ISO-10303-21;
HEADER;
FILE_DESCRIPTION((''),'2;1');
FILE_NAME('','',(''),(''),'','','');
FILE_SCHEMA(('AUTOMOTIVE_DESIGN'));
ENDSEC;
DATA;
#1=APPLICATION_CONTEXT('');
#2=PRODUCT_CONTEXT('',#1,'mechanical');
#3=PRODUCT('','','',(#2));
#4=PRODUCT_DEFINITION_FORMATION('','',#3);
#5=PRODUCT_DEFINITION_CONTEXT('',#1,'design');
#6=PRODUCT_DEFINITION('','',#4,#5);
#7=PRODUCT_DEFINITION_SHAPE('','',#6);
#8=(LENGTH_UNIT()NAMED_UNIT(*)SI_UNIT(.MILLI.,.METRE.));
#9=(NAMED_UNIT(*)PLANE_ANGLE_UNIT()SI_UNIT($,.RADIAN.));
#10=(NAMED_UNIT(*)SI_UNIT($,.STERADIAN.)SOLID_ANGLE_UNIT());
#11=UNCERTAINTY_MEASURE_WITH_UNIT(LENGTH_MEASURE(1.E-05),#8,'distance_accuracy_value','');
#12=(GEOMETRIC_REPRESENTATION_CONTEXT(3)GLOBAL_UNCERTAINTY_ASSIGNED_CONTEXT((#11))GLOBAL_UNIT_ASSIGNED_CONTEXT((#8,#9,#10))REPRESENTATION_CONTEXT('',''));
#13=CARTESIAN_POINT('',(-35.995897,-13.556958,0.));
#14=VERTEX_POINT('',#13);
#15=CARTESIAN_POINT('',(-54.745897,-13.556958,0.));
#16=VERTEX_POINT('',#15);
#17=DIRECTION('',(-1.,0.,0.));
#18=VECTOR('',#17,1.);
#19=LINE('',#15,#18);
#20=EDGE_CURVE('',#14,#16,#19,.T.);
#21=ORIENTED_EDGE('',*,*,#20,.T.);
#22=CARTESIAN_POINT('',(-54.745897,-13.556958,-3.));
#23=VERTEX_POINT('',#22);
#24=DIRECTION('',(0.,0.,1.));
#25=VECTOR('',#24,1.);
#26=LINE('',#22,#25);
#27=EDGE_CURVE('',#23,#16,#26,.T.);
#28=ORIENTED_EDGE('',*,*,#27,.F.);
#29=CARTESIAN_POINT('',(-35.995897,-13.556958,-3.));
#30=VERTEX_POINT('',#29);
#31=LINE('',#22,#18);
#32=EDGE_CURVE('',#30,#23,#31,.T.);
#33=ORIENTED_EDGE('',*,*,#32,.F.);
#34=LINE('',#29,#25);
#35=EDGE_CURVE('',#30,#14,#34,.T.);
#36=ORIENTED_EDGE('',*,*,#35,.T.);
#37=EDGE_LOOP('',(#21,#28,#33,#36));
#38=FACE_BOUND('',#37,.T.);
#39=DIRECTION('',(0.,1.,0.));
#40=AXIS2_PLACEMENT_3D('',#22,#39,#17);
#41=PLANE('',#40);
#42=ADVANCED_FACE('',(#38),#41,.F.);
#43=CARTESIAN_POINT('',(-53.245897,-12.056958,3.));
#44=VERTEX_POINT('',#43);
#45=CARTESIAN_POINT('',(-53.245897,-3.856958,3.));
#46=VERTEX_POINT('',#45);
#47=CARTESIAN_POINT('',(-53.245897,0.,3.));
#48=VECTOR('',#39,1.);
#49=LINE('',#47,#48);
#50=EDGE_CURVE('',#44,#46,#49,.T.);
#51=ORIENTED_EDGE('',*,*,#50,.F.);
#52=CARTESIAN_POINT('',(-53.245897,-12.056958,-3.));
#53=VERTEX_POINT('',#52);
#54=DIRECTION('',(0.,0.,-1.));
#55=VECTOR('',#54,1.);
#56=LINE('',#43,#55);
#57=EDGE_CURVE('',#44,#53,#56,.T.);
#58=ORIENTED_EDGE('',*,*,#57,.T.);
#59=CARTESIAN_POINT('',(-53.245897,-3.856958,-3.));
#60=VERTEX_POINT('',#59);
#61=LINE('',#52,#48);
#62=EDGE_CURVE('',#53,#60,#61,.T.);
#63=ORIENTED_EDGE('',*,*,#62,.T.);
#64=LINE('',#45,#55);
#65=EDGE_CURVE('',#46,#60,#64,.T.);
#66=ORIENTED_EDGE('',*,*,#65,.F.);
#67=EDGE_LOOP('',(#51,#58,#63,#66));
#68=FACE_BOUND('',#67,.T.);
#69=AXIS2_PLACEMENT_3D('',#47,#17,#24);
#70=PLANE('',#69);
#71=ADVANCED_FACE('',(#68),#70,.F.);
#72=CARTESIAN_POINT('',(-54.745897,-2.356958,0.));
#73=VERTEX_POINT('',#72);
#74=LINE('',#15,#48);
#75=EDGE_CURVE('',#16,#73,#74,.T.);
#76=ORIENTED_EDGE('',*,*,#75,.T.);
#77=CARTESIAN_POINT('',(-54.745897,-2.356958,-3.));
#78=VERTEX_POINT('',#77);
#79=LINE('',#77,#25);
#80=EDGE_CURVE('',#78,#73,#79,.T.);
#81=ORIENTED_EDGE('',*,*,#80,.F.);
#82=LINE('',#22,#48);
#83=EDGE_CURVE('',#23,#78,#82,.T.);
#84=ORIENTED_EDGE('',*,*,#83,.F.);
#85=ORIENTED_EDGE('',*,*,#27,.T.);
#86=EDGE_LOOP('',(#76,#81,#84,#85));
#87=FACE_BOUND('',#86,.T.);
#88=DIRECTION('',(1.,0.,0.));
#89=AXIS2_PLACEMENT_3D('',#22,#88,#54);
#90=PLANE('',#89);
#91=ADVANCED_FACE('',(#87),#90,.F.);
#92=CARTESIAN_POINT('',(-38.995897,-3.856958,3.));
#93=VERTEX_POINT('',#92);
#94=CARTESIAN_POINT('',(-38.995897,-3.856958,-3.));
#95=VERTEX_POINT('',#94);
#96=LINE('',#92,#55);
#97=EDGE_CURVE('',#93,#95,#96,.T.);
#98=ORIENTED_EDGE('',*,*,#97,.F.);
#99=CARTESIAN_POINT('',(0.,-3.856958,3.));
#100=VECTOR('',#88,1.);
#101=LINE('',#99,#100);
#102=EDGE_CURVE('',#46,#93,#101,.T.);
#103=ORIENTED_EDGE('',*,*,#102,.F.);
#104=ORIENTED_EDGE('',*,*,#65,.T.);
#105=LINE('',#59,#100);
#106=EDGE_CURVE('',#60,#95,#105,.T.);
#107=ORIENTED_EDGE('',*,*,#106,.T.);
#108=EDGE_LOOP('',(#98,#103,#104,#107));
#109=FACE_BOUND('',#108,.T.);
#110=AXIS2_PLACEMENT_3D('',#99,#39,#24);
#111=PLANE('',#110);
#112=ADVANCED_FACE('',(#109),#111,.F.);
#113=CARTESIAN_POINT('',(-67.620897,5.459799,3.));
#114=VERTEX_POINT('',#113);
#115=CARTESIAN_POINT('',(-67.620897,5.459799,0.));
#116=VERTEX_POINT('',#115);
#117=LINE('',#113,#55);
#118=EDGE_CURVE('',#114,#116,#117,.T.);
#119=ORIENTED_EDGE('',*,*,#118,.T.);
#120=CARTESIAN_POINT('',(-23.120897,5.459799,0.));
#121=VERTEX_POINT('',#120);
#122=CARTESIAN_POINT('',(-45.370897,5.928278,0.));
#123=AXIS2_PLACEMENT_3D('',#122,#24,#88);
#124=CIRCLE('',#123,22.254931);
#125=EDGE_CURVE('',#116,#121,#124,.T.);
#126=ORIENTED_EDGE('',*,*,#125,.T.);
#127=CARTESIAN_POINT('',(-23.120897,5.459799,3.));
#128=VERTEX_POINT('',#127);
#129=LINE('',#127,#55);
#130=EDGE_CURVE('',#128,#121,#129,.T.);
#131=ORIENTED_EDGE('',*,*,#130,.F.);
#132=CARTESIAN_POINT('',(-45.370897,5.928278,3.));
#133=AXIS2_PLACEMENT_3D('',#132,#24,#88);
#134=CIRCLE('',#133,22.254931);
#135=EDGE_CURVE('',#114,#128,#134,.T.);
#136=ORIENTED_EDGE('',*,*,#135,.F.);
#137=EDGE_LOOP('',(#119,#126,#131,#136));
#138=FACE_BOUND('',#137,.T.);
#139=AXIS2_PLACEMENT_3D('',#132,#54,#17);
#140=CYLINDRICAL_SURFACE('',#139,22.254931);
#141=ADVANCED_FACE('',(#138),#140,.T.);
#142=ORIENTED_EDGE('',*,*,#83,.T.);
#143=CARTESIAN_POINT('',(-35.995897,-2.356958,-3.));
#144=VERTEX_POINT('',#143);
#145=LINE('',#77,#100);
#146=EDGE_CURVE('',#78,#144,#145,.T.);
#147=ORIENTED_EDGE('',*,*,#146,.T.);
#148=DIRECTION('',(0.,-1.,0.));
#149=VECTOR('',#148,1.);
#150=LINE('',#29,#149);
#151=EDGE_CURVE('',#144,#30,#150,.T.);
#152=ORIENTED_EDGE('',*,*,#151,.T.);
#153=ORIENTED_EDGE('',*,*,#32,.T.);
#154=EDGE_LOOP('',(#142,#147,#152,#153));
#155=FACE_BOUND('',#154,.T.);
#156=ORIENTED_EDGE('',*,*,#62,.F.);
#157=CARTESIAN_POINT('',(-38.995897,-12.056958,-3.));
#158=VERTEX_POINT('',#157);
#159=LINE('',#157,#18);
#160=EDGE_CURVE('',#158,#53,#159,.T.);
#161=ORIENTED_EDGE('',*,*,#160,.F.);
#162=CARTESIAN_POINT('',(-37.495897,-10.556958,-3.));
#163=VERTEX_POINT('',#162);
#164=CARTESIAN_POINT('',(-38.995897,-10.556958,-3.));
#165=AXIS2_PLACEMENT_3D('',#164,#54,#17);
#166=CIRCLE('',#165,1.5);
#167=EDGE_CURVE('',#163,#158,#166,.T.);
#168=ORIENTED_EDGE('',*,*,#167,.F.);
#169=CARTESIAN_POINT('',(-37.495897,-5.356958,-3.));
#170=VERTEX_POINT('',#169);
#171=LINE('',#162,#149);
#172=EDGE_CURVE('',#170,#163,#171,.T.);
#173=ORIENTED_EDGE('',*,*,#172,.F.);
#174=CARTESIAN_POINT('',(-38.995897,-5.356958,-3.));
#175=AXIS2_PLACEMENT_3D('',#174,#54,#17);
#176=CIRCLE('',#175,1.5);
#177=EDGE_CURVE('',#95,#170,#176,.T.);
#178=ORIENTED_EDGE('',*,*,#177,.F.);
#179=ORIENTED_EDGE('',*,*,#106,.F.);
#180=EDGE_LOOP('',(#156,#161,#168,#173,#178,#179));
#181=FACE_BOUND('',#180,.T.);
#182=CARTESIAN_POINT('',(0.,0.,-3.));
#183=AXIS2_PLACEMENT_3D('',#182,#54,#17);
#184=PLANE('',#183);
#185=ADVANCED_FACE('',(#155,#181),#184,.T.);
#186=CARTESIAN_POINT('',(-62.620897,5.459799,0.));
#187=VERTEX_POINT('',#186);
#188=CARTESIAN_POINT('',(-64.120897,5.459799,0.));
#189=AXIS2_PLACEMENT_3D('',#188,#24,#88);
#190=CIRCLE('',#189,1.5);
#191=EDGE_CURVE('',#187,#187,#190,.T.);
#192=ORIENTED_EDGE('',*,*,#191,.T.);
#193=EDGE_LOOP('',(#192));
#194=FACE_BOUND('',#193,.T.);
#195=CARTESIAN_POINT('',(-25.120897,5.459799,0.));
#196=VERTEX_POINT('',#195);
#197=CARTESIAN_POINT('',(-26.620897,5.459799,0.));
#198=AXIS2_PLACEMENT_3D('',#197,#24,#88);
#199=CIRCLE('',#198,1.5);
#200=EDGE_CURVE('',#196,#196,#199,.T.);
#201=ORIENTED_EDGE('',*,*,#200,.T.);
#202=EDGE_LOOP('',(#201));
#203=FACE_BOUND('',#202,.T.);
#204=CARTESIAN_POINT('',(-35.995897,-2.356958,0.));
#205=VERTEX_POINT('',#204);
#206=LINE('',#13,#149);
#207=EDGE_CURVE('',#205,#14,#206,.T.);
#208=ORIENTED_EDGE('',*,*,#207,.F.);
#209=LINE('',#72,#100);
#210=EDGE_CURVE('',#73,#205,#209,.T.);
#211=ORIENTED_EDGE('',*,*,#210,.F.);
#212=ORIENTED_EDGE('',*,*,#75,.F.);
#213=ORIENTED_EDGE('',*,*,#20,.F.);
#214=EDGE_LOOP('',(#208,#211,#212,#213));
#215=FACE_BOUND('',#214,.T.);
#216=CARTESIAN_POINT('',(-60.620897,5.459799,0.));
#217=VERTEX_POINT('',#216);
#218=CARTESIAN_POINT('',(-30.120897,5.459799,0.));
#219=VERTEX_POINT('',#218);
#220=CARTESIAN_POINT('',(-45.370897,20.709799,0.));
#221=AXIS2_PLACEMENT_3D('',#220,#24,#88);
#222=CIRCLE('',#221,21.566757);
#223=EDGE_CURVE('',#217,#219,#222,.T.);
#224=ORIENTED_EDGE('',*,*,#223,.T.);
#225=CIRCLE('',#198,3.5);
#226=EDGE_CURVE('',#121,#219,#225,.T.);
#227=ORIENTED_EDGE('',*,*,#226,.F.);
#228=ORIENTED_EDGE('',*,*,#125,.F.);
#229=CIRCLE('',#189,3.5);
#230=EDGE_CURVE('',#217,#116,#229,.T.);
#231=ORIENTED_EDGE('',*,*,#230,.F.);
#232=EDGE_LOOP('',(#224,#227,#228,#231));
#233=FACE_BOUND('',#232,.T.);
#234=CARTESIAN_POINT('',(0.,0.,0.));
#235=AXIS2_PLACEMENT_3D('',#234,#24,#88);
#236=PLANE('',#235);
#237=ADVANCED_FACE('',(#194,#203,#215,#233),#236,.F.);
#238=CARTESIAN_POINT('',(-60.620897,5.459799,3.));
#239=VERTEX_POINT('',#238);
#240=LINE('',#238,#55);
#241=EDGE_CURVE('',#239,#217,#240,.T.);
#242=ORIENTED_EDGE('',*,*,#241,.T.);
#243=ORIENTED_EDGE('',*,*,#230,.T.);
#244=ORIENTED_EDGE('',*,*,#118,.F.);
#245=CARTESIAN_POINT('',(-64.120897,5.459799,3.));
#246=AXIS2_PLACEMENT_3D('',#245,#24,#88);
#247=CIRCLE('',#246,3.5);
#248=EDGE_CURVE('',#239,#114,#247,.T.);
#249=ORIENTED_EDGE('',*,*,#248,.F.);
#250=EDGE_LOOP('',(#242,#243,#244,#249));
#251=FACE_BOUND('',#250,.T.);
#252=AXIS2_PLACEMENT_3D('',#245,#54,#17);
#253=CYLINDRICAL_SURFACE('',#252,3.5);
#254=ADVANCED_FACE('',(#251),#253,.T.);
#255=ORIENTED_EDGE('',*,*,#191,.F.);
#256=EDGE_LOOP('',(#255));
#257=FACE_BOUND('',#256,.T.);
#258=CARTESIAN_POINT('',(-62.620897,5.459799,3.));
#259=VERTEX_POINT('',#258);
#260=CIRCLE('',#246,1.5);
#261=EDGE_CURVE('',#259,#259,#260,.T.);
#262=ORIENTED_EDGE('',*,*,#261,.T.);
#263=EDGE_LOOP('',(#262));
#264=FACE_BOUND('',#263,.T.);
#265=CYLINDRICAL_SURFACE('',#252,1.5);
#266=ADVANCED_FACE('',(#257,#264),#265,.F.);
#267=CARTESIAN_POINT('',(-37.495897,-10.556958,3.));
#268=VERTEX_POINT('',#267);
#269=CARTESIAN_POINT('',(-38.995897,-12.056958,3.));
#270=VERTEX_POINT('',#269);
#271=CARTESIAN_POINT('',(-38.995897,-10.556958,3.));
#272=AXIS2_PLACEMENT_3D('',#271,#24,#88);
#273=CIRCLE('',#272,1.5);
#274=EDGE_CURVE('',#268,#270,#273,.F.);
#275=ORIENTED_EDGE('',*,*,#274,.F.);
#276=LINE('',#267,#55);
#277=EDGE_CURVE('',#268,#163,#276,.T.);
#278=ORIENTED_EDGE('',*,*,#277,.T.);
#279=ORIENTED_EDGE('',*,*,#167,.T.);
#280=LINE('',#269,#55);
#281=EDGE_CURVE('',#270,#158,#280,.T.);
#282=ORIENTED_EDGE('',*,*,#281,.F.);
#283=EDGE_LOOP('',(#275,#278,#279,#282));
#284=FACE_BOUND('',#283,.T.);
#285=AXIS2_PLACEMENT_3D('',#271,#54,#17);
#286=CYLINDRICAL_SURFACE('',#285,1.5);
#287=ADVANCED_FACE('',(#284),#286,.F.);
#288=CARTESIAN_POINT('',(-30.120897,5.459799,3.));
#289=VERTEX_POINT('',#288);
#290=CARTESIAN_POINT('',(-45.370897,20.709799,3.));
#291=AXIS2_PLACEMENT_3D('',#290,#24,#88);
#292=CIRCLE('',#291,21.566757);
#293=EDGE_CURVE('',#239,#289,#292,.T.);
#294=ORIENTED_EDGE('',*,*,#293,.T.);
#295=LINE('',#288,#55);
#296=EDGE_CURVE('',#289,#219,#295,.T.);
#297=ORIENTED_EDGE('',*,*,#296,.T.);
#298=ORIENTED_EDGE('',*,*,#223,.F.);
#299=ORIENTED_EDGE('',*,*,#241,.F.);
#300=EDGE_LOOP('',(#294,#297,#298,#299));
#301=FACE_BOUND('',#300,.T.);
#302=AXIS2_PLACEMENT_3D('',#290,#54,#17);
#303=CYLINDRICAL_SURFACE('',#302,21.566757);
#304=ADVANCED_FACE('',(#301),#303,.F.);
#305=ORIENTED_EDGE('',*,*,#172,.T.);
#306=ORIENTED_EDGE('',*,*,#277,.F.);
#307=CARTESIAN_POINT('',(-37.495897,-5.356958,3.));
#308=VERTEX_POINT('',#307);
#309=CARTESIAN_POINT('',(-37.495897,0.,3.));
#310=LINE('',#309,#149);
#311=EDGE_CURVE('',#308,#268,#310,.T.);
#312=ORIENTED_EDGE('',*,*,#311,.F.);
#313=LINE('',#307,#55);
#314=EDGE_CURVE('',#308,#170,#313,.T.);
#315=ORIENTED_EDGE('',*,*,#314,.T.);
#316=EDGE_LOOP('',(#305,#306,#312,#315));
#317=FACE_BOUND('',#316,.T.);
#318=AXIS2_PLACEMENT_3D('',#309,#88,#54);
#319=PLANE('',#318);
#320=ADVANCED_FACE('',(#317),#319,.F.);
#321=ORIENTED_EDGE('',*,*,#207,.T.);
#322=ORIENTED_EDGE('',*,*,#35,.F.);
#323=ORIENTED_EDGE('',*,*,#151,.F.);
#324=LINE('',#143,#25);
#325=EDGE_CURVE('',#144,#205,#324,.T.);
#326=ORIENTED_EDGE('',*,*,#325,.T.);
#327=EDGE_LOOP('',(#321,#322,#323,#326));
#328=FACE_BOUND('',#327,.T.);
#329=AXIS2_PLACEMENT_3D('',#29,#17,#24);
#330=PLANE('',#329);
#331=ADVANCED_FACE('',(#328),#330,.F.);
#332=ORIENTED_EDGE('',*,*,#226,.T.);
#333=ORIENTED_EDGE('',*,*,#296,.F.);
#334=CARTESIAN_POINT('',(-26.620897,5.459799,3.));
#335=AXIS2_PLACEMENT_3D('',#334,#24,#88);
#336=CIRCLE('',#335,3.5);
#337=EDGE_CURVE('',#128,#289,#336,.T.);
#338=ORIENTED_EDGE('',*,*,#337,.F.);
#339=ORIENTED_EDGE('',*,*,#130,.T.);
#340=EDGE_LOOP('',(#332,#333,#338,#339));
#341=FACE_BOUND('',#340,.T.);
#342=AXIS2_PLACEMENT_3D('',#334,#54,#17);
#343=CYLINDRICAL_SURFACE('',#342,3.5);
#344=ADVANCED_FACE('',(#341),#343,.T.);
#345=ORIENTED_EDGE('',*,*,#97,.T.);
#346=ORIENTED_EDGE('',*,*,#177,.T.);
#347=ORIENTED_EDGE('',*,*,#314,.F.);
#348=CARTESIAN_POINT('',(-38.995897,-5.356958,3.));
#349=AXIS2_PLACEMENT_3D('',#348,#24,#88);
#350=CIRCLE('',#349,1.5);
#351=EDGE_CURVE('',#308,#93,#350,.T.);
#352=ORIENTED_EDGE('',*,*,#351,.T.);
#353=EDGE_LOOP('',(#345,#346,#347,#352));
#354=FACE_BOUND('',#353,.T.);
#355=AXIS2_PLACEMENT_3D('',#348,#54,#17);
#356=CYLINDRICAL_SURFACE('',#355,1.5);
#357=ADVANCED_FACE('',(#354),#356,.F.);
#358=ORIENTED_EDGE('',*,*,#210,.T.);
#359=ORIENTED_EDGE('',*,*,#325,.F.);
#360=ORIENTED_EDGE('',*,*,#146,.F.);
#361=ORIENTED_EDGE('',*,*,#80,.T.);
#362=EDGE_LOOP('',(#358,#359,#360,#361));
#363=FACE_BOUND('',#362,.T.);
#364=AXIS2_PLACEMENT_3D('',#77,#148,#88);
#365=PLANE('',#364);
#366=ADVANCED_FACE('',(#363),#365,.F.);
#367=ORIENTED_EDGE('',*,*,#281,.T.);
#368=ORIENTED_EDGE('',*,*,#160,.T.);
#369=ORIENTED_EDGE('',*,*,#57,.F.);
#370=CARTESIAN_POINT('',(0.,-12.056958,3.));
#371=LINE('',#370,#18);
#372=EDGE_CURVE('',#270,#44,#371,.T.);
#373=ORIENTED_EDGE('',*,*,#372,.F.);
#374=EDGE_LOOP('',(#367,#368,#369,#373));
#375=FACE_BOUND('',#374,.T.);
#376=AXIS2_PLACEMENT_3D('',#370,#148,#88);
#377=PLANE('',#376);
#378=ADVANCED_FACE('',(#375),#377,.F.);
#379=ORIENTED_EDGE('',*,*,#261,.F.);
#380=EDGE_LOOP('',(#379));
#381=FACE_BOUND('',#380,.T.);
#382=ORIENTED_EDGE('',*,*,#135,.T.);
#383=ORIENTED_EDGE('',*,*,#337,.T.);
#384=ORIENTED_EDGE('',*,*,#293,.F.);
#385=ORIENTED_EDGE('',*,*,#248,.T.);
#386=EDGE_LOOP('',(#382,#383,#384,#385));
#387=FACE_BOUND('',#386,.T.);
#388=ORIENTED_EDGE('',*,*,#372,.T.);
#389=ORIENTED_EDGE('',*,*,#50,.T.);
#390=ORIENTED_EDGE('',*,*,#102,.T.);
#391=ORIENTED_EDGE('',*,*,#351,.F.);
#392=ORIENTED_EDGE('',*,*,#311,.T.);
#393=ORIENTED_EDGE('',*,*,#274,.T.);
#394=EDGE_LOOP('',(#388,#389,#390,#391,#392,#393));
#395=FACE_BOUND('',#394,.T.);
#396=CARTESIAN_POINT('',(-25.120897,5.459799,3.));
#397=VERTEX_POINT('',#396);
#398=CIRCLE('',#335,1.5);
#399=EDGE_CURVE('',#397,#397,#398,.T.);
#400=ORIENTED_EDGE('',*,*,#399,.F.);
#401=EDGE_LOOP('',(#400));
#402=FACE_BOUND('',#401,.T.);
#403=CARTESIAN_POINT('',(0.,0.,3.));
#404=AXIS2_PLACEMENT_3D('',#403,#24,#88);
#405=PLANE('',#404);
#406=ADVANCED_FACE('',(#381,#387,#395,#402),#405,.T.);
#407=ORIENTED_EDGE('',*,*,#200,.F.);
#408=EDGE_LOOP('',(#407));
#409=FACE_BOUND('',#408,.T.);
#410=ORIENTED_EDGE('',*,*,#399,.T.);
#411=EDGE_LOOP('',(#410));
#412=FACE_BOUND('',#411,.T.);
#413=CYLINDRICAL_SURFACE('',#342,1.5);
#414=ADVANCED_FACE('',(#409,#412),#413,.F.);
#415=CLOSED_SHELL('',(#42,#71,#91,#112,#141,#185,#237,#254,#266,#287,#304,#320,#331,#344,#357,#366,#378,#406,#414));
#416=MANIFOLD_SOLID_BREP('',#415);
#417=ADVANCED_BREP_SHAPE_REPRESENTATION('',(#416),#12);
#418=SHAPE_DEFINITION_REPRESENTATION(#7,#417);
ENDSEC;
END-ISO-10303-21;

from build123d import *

# Parameters (mm, degrees)
CROQUIS1_R              = 1.5
SALIENTE_EXTRUIR1_DEPTH = 3
SALIENTE_EXTRUIR2_START = 3
CROQUIS2_W              = 18.75
CROQUIS2_H              = 11.2
SALIENTE_EXTRUIR2_DEPTH = 3


with BuildPart() as part:
    # Croquis1 → Saliente-Extruir1 (new body)
    with BuildSketch(Plane.XY):
        with BuildLine():
            ThreePointArc((-30.120896804, 5.459799134), (-45.370896804, -0.856957692), (-60.620896804, 5.459799134))
            ThreePointArc((-60.620896804, 5.459799134), (-64.120896804, 8.959799134), (-67.620896804, 5.459799134))
            ThreePointArc((-67.620896804, 5.459799134), (-67.618884854, 5.372400085), (-67.616529597, 5.285009614))
            ThreePointArc((-67.616529597, 5.285009614), (-45.370896804, -16.326653786), (-23.125264011, 5.285009614))
            ThreePointArc((-23.125264011, 5.285009614), (-23.122908754, 5.372400085), (-23.120896804, 5.459799134))
            ThreePointArc((-23.120896804, 5.459799134), (-26.620896804, 8.959799134), (-30.120896804, 5.459799134))
        make_face()
        with BuildLine():
            Line((-53.245896804, -3.856957692), (-45.370896804, -3.856957692))
            Line((-45.370896804, -3.856957692), (-38.995896804, -3.856957692))
            ThreePointArc((-38.995896804, -3.856957692), (-37.935236632, -4.296297521), (-37.495896804, -5.356957692))
            Line((-37.495896804, -5.356957692), (-37.495896804, -10.556957692))
            ThreePointArc((-37.495896804, -10.556957692), (-37.935236632, -11.617617864), (-38.995896804, -12.056957692))
            Line((-38.995896804, -12.056957692), (-53.245896804, -12.056957692))
            Line((-53.245896804, -12.056957692), (-53.245896804, -3.856957692))
        make_face(mode=Mode.SUBTRACT)
        with Locations((-64.120896804, 5.459799134)):
            Circle(CROQUIS1_R, mode=Mode.SUBTRACT)
        with Locations((-26.620896804, 5.459799134)):
            Circle(CROQUIS1_R, mode=Mode.SUBTRACT)
    extrude(amount=SALIENTE_EXTRUIR1_DEPTH)

    # Croquis2 → Saliente-Extruir2 (add)
    with BuildSketch(Plane(origin=(0, 0, 0), x_dir=(-1, 0, 0), z_dir=(0, 0, -1)).offset(SALIENTE_EXTRUIR2_START)):
        with Locations((45.370896804, -7.956957692)):
            Rectangle(CROQUIS2_W, CROQUIS2_H)
        with BuildLine():
            Line((38.995896804, -12.056957692), (53.245896804, -12.056957692))
            Line((53.245896804, -12.056957692), (53.245896804, -3.856957692))
            Line((53.245896804, -3.856957692), (38.995896804, -3.856957692))
            ThreePointArc((38.995896804, -3.856957692), (37.935236632, -4.296297521), (37.495896804, -5.356957692))
            Line((37.495896804, -5.356957692), (37.495896804, -10.556957692))
            ThreePointArc((37.495896804, -10.556957692), (37.935236632, -11.617617864), (38.995896804, -12.056957692))
        make_face(mode=Mode.SUBTRACT)
    extrude(amount=-SALIENTE_EXTRUIR2_DEPTH)


solid = part.part
